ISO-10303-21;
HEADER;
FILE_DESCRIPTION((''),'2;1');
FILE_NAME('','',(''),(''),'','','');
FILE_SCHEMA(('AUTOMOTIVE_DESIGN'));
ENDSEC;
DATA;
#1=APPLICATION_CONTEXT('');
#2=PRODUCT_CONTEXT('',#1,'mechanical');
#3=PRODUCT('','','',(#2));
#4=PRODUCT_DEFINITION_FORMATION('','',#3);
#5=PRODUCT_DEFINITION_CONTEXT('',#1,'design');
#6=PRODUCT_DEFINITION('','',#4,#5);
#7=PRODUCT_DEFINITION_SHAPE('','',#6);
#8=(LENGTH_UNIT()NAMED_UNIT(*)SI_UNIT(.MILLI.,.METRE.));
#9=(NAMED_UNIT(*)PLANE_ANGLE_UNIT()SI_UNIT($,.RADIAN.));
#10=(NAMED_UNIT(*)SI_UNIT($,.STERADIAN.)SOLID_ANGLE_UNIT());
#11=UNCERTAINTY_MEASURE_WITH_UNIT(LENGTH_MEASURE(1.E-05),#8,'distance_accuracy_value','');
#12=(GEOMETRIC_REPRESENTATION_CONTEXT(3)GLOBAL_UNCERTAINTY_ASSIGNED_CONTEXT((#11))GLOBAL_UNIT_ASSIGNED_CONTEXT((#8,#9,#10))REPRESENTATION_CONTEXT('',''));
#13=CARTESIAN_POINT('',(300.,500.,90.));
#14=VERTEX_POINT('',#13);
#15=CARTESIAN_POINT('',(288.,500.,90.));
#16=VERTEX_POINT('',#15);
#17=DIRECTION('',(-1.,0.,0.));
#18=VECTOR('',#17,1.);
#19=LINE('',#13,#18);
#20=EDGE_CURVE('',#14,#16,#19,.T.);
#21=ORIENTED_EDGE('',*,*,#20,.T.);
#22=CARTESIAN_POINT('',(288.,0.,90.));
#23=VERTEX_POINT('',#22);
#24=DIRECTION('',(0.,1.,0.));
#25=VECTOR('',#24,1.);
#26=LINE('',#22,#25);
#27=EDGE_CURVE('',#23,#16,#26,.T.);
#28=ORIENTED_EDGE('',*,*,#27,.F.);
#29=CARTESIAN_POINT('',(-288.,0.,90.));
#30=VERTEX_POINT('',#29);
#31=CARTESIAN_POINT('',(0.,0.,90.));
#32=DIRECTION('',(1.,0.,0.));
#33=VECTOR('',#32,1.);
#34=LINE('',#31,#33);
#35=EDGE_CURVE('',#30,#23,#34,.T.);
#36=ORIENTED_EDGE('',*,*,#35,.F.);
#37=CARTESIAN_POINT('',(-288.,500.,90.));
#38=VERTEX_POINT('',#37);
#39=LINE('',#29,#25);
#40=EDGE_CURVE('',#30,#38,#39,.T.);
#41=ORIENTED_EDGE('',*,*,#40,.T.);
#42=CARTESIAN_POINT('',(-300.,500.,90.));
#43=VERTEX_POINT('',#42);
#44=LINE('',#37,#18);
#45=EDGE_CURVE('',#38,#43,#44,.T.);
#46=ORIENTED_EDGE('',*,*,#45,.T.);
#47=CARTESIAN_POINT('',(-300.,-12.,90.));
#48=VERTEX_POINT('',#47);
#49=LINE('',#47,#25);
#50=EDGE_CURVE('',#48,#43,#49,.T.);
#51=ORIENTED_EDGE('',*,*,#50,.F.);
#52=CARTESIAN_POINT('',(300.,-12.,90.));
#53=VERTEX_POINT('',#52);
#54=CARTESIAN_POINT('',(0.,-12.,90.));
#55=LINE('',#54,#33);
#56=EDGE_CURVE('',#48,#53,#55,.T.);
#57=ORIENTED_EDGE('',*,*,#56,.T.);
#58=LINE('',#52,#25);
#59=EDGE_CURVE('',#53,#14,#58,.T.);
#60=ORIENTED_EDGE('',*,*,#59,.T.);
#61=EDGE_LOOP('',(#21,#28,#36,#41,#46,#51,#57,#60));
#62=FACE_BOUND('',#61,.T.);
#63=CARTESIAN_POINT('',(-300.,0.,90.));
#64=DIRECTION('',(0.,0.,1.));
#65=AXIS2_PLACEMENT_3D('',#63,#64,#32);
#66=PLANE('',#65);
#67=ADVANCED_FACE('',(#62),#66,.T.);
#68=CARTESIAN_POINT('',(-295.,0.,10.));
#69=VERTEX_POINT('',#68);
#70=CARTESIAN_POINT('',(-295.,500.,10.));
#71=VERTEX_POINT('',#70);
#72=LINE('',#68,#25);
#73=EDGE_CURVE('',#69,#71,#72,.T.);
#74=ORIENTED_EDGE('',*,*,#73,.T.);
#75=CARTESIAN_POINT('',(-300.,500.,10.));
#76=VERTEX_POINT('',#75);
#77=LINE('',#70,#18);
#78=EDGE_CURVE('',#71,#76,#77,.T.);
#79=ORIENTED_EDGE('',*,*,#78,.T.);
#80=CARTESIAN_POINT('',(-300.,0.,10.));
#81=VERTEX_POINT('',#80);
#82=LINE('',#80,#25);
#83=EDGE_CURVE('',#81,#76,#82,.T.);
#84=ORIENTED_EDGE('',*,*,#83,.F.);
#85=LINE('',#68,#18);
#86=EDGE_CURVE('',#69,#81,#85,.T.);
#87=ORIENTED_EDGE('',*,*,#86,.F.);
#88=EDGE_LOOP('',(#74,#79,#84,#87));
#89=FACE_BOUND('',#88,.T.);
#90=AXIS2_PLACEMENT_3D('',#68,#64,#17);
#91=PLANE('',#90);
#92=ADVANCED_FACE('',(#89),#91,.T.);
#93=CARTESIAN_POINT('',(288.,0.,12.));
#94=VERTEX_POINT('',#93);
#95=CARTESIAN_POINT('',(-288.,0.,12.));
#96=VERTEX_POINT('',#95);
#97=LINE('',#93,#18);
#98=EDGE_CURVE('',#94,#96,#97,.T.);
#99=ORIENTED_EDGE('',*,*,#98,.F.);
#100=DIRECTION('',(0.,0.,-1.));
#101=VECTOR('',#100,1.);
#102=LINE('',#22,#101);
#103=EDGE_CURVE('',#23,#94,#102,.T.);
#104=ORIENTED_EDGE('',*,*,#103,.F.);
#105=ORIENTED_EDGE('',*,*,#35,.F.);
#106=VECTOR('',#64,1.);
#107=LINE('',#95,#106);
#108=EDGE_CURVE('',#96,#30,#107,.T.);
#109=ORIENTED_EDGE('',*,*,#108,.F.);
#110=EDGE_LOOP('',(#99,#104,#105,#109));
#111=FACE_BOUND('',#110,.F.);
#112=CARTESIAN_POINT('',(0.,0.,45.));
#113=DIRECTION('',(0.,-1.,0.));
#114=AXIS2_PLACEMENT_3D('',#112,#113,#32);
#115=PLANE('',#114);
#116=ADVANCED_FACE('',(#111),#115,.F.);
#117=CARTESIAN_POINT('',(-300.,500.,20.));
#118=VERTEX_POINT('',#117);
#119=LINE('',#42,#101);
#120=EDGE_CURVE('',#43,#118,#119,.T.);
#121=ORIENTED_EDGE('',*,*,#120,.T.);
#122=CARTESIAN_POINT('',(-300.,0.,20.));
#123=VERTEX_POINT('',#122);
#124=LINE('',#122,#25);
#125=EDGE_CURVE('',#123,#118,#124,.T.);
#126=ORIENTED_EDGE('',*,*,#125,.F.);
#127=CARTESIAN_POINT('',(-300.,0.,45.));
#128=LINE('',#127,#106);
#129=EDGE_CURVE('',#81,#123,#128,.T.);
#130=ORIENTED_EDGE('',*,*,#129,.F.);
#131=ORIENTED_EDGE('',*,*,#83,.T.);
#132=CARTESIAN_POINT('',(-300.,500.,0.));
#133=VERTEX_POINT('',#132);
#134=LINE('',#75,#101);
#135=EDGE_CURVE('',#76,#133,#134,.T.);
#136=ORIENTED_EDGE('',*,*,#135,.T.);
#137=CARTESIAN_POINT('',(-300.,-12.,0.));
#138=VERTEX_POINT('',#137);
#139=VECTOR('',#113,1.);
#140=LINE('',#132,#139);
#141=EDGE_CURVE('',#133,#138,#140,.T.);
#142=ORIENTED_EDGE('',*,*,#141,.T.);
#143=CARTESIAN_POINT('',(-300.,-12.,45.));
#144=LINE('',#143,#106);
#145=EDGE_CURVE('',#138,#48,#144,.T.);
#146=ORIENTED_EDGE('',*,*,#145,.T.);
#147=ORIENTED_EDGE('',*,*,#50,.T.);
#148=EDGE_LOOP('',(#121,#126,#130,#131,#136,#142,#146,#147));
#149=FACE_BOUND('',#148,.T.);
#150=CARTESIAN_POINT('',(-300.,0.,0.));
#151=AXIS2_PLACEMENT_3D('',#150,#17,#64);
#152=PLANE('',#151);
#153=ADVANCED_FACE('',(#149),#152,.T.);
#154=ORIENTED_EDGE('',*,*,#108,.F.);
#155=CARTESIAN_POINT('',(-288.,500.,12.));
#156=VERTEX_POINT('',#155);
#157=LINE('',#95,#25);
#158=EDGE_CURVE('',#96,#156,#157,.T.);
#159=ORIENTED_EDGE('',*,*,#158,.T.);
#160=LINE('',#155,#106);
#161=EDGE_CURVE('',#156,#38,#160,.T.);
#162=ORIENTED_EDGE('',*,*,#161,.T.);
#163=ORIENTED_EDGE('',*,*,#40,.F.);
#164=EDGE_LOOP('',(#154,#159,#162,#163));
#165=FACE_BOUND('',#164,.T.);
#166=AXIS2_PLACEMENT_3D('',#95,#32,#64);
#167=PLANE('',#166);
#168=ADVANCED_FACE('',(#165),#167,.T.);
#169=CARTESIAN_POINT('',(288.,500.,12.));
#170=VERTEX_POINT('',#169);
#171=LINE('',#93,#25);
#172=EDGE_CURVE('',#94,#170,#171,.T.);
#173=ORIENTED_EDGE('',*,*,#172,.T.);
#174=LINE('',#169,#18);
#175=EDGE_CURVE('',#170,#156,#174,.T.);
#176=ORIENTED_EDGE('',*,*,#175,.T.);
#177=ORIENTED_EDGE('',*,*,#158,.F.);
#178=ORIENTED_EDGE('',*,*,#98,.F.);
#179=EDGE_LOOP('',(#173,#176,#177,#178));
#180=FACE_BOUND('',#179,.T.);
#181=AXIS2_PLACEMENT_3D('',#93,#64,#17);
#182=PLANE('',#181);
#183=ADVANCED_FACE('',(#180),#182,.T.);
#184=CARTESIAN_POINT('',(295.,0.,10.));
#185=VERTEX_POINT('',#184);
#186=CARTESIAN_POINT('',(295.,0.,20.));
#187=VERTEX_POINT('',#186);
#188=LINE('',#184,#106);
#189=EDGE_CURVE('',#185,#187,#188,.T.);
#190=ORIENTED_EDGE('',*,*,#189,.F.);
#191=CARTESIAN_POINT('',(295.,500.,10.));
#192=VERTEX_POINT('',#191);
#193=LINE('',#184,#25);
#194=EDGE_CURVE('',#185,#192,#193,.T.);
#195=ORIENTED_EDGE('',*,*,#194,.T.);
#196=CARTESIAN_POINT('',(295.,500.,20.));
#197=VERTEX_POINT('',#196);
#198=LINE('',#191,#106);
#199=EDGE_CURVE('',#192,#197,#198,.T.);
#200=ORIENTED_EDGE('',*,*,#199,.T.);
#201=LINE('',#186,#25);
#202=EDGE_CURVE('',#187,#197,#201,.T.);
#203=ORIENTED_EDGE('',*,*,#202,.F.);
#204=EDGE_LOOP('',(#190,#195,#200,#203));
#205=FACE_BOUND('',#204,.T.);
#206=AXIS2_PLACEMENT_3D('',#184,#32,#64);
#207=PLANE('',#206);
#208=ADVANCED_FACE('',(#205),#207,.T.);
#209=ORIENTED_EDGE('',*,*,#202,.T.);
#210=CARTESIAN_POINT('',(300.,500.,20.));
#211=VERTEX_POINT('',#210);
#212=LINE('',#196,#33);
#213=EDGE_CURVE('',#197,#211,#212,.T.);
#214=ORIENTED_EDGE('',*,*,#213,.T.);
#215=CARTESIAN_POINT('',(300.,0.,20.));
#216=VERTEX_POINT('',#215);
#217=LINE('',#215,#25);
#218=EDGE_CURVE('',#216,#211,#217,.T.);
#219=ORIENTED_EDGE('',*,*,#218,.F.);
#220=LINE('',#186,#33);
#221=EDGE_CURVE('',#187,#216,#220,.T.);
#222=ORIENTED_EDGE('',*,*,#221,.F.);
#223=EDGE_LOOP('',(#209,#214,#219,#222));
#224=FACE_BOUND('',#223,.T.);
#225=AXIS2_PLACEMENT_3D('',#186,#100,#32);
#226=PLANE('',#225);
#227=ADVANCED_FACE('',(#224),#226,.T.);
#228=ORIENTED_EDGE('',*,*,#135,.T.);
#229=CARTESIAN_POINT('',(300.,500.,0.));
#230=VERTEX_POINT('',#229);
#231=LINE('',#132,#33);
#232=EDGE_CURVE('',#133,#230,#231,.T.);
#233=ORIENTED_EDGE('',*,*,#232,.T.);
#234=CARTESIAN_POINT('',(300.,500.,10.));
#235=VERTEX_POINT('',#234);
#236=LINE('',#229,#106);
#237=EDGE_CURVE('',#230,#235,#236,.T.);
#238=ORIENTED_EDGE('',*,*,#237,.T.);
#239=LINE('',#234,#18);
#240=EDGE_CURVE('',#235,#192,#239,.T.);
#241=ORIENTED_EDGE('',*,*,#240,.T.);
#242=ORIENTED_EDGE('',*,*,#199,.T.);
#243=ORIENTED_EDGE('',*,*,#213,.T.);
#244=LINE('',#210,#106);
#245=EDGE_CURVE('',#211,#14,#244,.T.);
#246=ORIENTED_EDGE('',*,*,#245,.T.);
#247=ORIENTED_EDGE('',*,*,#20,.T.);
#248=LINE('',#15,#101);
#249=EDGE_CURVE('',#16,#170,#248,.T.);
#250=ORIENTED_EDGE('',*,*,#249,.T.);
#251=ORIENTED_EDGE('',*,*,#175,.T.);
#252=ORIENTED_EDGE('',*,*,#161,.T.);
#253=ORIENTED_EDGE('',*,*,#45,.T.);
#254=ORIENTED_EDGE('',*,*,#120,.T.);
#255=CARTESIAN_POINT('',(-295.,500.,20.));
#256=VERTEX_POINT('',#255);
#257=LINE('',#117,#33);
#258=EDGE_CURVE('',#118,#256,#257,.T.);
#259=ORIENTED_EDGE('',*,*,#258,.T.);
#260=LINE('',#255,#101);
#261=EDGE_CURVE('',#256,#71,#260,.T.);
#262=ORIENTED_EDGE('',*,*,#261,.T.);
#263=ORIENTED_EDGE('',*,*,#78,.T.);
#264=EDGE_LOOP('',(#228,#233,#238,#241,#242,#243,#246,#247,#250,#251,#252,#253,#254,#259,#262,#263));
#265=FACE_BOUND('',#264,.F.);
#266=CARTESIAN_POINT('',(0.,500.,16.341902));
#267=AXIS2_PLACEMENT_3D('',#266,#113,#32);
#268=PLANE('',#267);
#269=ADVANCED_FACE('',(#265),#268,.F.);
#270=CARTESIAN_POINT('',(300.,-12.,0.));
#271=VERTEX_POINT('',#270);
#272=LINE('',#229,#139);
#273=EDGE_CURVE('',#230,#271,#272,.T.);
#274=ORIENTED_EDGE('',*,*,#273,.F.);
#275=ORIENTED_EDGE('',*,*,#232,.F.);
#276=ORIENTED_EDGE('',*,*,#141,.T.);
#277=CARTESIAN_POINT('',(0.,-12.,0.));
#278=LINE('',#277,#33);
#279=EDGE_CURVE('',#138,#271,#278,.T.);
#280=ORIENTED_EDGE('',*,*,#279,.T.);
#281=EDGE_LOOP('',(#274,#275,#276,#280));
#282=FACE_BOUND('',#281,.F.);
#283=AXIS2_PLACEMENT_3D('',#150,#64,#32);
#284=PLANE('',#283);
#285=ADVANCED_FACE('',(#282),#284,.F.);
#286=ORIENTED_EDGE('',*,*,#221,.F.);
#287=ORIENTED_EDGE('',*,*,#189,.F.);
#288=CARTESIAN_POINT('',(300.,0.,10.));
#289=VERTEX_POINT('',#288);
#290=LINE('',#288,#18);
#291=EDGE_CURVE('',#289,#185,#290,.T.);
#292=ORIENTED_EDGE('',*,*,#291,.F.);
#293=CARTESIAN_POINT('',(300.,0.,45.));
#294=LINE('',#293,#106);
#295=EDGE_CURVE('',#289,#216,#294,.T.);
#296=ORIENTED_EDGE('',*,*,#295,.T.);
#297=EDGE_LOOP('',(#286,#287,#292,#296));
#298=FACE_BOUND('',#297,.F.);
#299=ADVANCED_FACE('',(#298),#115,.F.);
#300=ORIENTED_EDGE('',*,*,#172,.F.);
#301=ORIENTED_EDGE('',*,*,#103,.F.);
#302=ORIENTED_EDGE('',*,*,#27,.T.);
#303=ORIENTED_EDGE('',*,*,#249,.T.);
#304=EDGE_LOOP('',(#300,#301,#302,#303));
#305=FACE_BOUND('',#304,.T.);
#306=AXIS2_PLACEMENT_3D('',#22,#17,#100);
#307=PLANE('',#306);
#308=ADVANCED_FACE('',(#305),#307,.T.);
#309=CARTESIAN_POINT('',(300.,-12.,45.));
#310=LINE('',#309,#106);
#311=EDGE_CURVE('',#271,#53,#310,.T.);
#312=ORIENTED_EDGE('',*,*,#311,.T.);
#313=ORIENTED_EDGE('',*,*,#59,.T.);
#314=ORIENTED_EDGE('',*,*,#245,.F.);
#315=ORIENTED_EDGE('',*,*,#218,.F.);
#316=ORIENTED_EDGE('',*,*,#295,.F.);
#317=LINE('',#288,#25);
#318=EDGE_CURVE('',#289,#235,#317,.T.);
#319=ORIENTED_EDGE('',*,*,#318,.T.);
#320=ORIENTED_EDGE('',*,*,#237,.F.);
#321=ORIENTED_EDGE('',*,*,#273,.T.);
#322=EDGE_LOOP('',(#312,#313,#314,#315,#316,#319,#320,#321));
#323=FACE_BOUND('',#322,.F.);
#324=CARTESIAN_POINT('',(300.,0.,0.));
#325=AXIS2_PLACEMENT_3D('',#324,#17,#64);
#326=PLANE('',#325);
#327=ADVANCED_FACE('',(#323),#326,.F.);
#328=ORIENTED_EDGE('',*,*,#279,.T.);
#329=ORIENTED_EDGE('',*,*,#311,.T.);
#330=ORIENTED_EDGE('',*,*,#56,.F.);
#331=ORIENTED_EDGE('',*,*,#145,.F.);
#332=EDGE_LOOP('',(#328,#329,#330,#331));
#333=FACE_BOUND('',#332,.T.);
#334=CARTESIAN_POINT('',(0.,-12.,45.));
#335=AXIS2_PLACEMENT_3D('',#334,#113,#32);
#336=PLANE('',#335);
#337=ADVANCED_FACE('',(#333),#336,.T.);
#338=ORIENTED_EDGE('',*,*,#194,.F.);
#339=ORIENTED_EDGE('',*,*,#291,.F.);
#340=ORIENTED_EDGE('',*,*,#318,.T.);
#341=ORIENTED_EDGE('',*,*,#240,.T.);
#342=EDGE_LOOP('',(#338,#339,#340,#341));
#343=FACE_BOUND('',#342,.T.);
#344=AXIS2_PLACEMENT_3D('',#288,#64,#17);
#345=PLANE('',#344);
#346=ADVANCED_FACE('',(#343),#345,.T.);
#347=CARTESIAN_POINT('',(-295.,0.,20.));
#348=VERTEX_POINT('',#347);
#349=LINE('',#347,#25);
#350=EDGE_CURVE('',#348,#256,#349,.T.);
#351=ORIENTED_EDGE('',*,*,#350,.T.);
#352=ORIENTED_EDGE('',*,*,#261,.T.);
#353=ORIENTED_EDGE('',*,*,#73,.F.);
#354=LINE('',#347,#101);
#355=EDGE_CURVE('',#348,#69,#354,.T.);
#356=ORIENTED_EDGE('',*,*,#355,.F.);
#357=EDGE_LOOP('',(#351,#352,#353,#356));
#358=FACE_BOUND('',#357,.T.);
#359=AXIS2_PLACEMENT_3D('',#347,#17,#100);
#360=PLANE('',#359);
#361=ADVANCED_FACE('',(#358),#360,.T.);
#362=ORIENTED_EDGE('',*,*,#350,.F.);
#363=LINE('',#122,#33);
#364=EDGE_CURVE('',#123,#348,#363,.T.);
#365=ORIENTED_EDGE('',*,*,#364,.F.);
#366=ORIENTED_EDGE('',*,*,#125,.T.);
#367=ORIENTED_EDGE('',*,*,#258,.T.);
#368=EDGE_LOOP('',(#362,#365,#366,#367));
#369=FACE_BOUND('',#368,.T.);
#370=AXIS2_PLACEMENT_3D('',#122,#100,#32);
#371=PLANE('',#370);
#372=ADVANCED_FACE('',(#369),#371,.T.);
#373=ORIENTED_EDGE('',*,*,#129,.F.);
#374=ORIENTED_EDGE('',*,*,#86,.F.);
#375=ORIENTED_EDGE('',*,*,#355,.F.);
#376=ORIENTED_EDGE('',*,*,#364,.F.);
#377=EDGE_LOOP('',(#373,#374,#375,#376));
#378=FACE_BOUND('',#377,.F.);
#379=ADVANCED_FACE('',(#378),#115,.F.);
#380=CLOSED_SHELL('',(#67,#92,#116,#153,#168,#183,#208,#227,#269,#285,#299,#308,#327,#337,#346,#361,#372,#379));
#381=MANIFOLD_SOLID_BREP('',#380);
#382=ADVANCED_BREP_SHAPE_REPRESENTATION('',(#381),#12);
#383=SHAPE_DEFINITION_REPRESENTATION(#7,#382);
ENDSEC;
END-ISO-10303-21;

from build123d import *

# Parameters (mm, degrees)
F1_DEPTH = 500
F2_W     = 600
F2_H     = 90
F3_DEPTH = 12


with BuildPart() as f1:
    # F0 (on Front) → F1 (new body)
    with BuildSketch(Plane.XZ):
        Polygon((288, 12), (-288, 12), (-288, 90), (-300, 90), (-300, 20), (-295, 20), (-295, 10), (-300, 10), (-300, 0), (300, 0), (300, 10), (295, 10), (295, 20), (300, 20), (300, 90), (288, 90), align=None)
    extrude(amount=-F1_DEPTH)

    # F2 (on Front) → F3 (join)
    with BuildSketch(Plane.XZ):
        with Locations((0, 45)):
            Rectangle(F2_W, F2_H)
    extrude(amount=F3_DEPTH)


solid = f1.part
